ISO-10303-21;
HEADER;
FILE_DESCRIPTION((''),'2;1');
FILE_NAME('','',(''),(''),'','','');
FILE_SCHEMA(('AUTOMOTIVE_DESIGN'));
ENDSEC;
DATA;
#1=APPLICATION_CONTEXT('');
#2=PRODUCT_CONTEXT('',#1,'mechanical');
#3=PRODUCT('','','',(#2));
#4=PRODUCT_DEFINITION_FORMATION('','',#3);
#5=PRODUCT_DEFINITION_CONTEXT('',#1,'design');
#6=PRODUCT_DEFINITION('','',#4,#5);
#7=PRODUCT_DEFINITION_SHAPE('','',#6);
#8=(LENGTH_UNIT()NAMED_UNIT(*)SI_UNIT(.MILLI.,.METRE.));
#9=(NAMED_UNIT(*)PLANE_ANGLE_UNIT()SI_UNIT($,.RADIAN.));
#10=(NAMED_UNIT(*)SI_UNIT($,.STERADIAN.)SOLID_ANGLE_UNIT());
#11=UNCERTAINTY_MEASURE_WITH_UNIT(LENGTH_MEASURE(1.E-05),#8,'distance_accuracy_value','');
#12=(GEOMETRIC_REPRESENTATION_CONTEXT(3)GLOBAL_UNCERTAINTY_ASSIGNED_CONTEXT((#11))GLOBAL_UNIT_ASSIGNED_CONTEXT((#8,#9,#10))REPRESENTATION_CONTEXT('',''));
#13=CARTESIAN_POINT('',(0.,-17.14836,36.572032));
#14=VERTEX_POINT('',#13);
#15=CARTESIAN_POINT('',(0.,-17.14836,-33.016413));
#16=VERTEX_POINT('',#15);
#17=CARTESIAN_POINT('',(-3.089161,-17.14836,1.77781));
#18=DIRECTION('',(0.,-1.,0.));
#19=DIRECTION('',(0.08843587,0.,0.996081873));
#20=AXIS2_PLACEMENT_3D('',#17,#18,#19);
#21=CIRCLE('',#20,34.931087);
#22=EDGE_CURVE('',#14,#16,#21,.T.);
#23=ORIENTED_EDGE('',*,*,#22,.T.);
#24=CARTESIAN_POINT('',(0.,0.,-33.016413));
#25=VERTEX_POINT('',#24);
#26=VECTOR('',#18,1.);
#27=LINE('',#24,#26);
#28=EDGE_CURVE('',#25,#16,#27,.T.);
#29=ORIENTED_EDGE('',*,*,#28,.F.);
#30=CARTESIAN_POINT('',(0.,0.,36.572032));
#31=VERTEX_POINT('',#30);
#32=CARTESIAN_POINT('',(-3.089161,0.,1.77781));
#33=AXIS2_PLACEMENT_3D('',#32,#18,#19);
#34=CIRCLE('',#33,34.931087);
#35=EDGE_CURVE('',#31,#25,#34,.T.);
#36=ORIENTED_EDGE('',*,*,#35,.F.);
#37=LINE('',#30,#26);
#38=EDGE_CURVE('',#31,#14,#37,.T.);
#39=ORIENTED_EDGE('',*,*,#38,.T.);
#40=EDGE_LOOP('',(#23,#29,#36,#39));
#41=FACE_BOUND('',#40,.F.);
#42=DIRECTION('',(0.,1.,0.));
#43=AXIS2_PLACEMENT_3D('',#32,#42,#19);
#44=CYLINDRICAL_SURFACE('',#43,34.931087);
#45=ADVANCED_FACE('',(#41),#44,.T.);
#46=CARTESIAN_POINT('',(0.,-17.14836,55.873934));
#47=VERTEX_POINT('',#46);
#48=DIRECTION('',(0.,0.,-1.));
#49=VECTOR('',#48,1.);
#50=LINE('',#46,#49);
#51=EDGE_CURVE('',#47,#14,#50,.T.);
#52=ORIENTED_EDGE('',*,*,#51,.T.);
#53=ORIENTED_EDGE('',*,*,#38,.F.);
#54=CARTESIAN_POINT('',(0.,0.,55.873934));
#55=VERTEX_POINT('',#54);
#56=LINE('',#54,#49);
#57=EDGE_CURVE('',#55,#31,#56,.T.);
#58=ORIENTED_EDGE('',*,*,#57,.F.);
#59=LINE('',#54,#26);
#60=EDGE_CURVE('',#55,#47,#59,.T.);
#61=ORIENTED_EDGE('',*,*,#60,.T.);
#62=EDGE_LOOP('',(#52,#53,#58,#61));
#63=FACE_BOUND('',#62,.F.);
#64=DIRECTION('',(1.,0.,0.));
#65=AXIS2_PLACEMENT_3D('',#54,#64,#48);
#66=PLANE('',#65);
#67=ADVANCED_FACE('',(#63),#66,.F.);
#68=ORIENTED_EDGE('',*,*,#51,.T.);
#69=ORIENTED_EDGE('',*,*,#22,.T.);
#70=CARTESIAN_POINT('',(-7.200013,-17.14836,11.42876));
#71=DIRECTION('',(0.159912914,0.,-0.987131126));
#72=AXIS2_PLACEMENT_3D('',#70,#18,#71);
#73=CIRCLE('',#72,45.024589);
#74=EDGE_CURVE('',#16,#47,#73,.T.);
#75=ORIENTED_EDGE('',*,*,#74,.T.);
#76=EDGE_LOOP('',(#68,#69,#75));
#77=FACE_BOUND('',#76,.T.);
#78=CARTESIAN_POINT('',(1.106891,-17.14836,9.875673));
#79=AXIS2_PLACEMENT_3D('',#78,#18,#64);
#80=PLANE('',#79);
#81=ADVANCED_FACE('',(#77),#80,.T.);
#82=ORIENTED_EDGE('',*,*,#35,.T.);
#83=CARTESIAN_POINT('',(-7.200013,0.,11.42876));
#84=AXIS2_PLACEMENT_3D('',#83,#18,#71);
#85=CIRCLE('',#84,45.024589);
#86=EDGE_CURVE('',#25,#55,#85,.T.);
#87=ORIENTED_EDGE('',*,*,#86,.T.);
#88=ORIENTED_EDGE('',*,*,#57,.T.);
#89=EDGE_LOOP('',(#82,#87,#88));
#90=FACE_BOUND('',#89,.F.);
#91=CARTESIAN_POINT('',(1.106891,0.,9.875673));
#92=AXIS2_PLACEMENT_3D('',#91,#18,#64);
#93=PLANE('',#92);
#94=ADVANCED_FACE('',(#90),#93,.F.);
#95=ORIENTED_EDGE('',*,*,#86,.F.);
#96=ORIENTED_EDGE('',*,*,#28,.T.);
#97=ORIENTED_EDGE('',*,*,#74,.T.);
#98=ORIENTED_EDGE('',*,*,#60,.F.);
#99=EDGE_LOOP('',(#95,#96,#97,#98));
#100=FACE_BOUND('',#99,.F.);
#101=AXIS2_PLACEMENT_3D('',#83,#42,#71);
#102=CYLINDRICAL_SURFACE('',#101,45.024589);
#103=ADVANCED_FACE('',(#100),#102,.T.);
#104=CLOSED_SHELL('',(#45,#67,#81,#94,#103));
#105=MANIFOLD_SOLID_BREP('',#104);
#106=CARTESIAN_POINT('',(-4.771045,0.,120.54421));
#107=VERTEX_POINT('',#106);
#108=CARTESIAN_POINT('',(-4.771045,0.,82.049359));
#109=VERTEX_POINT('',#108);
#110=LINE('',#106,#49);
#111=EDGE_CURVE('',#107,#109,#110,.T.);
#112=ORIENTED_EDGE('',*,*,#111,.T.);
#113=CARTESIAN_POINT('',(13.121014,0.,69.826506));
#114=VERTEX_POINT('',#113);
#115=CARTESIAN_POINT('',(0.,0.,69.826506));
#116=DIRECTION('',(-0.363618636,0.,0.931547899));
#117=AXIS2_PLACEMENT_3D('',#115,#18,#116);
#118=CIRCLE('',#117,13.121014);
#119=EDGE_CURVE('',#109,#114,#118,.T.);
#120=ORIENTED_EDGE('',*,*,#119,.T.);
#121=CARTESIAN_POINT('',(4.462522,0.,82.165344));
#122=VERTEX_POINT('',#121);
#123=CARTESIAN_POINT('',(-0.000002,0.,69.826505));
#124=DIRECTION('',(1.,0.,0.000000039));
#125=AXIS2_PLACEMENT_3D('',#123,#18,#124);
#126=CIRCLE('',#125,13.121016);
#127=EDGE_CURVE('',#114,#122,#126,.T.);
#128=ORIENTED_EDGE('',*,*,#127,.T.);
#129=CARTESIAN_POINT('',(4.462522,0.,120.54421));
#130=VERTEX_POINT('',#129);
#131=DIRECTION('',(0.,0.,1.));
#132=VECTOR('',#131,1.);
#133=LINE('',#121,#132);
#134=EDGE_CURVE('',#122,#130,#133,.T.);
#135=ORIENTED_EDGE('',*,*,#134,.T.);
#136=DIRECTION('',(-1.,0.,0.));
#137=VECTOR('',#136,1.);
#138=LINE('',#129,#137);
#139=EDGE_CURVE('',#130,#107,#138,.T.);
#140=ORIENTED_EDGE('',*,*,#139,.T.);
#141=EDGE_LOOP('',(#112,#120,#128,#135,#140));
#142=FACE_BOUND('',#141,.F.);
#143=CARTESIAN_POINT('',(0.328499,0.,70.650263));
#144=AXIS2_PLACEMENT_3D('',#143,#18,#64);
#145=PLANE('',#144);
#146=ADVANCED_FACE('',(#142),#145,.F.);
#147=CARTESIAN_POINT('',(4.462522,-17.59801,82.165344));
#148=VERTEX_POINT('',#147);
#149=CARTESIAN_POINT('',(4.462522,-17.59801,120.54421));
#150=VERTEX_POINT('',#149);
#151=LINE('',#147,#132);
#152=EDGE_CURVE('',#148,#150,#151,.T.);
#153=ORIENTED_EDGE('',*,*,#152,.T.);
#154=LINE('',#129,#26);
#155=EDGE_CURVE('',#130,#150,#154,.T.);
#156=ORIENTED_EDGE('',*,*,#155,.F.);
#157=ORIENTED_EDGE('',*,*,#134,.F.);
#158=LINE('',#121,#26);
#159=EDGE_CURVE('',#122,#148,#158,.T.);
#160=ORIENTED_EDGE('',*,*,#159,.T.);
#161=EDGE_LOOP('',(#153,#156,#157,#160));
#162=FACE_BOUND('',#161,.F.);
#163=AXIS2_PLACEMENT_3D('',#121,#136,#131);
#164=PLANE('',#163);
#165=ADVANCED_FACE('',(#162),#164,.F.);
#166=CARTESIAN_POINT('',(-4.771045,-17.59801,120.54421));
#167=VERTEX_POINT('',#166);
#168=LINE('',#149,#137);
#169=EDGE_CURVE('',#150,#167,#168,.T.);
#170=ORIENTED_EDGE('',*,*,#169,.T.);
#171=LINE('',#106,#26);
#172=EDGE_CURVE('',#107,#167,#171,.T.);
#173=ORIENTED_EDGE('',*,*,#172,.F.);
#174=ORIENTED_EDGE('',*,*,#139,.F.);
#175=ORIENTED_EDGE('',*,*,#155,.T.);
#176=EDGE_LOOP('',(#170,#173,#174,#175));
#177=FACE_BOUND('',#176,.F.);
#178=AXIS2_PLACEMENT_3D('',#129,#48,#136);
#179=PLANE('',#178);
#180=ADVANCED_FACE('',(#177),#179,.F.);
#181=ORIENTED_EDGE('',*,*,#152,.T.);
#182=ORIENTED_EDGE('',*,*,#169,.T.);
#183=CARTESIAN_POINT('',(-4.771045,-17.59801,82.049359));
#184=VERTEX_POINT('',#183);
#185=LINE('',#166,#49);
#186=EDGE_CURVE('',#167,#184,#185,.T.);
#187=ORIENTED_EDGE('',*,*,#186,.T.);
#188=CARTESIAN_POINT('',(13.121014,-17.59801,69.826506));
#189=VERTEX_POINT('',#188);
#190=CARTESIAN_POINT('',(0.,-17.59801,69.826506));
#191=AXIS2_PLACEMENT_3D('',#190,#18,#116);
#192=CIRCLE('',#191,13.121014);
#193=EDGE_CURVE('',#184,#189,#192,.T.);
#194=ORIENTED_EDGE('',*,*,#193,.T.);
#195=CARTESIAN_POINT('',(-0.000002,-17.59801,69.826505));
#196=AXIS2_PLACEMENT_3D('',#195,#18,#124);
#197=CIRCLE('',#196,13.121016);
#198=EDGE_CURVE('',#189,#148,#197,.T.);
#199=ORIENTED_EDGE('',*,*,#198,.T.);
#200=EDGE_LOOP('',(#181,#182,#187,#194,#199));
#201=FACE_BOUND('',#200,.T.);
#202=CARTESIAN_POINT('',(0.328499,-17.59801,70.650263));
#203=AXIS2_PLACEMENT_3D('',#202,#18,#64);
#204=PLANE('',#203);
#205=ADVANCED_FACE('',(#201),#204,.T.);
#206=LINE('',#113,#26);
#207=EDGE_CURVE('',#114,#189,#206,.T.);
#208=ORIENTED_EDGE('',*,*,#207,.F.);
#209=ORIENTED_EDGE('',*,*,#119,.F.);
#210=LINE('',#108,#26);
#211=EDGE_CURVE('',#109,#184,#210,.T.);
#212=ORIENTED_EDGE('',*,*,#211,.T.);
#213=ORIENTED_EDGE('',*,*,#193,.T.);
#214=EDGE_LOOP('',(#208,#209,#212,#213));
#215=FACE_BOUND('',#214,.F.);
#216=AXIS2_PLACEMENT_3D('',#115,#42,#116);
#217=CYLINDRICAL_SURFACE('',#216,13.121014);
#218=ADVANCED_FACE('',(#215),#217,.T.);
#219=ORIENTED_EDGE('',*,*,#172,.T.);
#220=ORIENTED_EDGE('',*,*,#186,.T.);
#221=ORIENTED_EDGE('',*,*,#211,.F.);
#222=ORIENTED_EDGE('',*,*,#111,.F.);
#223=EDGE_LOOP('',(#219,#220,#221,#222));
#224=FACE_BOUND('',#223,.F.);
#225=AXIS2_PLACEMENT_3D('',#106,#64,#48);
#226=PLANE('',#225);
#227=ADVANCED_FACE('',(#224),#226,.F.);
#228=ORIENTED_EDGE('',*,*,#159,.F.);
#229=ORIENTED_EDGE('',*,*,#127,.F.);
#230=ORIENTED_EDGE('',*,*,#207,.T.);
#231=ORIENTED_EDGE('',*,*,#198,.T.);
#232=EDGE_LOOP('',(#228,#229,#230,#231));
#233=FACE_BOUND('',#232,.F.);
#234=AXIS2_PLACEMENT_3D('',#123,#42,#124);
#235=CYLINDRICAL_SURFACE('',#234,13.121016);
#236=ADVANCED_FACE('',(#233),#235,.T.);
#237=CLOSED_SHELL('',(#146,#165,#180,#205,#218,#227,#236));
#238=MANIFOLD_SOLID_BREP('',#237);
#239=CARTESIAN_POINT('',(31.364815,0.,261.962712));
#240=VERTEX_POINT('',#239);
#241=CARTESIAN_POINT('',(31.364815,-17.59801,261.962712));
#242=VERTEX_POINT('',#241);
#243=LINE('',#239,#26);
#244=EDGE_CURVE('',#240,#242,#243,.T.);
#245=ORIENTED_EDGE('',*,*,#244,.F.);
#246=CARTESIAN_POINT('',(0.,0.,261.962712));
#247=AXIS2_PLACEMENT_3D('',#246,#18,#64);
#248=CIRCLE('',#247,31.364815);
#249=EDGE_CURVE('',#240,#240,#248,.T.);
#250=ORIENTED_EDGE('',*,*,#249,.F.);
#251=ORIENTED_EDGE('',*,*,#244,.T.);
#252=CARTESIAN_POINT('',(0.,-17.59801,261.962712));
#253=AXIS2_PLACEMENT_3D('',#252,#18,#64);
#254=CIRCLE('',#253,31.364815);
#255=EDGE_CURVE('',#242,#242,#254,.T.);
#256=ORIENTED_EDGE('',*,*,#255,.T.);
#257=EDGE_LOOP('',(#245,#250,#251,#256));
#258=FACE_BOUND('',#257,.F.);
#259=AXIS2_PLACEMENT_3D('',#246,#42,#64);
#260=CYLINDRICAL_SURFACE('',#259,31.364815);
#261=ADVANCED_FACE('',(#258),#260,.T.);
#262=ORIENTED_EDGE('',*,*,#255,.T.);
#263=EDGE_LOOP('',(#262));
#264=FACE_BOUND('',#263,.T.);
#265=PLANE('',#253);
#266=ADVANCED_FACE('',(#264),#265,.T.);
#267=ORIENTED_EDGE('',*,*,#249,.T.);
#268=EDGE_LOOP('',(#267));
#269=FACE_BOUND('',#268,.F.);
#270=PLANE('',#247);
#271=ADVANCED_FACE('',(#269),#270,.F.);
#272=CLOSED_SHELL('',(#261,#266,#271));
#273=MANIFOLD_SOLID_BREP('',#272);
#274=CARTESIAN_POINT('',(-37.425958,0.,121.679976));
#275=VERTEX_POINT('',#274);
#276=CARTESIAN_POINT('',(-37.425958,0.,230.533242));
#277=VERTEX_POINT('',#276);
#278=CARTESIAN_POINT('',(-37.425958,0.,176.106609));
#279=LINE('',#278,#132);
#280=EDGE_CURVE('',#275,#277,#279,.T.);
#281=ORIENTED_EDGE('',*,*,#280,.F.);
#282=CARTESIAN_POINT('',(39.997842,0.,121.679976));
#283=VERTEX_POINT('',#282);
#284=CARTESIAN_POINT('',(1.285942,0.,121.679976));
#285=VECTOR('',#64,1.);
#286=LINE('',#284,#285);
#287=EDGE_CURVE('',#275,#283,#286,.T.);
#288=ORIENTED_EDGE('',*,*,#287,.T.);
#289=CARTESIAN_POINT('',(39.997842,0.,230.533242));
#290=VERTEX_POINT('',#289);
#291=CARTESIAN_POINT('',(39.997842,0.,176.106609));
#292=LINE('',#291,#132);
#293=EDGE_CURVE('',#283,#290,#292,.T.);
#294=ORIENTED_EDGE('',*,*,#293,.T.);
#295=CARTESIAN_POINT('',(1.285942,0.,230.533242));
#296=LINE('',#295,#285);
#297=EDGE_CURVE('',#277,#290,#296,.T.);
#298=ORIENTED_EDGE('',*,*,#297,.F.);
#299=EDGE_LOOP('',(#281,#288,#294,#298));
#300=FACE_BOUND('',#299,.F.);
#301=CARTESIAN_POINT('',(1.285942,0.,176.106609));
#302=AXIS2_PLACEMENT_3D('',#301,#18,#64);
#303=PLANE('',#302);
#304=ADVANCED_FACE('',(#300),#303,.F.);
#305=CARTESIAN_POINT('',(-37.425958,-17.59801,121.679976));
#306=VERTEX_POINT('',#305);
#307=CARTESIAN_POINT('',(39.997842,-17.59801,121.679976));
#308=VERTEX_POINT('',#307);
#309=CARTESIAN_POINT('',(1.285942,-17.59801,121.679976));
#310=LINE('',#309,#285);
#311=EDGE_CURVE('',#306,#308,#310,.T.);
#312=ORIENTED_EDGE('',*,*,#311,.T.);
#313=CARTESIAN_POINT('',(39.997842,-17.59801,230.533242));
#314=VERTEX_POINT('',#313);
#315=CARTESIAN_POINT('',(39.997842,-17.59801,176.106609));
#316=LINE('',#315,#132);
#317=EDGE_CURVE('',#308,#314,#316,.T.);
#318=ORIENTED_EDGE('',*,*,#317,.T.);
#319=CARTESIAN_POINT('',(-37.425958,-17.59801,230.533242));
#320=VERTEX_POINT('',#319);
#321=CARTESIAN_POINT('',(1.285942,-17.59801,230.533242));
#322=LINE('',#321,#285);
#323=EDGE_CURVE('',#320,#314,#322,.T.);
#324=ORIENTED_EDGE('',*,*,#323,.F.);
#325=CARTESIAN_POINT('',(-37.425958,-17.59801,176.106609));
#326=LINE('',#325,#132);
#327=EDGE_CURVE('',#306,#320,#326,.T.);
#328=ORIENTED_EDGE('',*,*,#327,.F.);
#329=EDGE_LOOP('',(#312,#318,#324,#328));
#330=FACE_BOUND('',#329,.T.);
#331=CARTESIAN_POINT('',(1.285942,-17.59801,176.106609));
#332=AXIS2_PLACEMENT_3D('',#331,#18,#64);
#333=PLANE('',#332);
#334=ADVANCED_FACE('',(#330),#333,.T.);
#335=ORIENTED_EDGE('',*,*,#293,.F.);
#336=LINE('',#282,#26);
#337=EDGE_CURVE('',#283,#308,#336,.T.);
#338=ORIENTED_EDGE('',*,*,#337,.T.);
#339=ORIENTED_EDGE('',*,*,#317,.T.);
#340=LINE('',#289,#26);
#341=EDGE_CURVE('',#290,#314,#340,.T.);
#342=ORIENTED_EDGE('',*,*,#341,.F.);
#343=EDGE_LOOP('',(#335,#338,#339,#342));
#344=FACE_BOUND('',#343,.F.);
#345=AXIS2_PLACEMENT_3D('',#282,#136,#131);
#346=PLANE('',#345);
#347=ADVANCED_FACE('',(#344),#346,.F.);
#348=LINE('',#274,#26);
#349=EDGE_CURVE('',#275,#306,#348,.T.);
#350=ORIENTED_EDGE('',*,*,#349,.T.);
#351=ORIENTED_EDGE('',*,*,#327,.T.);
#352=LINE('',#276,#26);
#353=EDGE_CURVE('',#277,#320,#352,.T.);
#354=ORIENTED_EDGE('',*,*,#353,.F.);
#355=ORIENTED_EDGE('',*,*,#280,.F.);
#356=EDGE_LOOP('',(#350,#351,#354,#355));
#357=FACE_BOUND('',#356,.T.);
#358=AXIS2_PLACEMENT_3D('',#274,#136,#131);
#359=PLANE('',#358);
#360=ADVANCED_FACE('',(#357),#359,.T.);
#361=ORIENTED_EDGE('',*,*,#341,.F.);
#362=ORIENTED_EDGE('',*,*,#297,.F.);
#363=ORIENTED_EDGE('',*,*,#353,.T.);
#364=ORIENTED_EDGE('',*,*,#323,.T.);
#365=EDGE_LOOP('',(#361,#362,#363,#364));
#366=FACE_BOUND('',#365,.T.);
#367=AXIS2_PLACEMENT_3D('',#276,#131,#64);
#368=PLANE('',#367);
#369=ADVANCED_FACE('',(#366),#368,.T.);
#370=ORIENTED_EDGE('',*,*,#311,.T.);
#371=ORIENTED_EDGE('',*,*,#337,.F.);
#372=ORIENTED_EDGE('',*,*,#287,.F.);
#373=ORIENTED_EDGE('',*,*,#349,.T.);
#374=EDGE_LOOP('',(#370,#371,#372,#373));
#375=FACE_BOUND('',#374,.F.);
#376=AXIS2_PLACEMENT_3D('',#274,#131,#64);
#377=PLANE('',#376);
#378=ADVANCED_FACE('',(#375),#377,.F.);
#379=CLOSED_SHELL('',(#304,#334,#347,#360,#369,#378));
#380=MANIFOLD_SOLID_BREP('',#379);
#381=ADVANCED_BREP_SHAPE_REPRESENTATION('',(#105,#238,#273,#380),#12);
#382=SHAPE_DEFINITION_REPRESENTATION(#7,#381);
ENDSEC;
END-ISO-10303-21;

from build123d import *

# Parameters (mm, degrees)
F1_DEPTH = 17.14836
F3_W     = 77.4238
F3_H     = 108.853265
F3_R     = 31.364815
F4_DEPTH = 17.59801


with BuildPart() as f1:
    # F0 (on Front) → F1 (new body)
    with BuildSketch(Plane.XZ):
        with BuildLine():
            Line((0, 55.873934), (0, 36.572032))
            ThreePointArc((0, 36.572032), (-38.020248, 1.777809), (0, -33.016413))
            ThreePointArc((0, -33.016413), (37.824576, 11.42876), (0, 55.873934))
        make_face()
    extrude(amount=F1_DEPTH)


with BuildPart() as f4:
    # F2 (on Front) + F3 (on Front) → F4 (new body)
    with BuildSketch(Plane.XZ):
        with BuildLine():
            ThreePointArc((-4.771045, 82.049359), (-7.401353, 58.992256), (13.121014, 69.826506))
            ThreePointArc((13.121014, 69.826506), (10.740433, 77.363356), (4.462522, 82.165344))
            Line((4.462522, 82.165344), (4.462522, 69.627687))
            Line((4.462522, 69.627687), (-4.771045, 69.627687))
            Line((-4.771045, 69.627687), (-4.771045, 82.049359))
        make_face()
        with BuildLine():
            ThreePointArc((-4.771045, 82.049359), (-0.164802, 82.946485), (4.462522, 82.165344))
            Line((4.462522, 82.165344), (4.462522, 120.54421))
            Line((4.462522, 120.54421), (-4.771045, 120.54421))
            Line((-4.771045, 120.54421), (-4.771045, 82.049359))
        make_face()
        with BuildLine():
            Line((4.462522, 69.627687), (4.462522, 82.165344))
            ThreePointArc((4.462522, 82.165344), (-0.164802, 82.946485), (-4.771045, 82.049359))
            Line((-4.771045, 82.049359), (-4.771045, 69.627687))
            Line((-4.771045, 69.627687), (4.462522, 69.627687))
        make_face()
    with BuildSketch(Plane.XZ):
        with Locations((1.285942, 176.106609)):
            Rectangle(F3_W, F3_H)
        with Locations((0, 261.962712)):
            Circle(F3_R)
    extrude(amount=F4_DEPTH)


solid = Compound([f1.part, f4.part])
